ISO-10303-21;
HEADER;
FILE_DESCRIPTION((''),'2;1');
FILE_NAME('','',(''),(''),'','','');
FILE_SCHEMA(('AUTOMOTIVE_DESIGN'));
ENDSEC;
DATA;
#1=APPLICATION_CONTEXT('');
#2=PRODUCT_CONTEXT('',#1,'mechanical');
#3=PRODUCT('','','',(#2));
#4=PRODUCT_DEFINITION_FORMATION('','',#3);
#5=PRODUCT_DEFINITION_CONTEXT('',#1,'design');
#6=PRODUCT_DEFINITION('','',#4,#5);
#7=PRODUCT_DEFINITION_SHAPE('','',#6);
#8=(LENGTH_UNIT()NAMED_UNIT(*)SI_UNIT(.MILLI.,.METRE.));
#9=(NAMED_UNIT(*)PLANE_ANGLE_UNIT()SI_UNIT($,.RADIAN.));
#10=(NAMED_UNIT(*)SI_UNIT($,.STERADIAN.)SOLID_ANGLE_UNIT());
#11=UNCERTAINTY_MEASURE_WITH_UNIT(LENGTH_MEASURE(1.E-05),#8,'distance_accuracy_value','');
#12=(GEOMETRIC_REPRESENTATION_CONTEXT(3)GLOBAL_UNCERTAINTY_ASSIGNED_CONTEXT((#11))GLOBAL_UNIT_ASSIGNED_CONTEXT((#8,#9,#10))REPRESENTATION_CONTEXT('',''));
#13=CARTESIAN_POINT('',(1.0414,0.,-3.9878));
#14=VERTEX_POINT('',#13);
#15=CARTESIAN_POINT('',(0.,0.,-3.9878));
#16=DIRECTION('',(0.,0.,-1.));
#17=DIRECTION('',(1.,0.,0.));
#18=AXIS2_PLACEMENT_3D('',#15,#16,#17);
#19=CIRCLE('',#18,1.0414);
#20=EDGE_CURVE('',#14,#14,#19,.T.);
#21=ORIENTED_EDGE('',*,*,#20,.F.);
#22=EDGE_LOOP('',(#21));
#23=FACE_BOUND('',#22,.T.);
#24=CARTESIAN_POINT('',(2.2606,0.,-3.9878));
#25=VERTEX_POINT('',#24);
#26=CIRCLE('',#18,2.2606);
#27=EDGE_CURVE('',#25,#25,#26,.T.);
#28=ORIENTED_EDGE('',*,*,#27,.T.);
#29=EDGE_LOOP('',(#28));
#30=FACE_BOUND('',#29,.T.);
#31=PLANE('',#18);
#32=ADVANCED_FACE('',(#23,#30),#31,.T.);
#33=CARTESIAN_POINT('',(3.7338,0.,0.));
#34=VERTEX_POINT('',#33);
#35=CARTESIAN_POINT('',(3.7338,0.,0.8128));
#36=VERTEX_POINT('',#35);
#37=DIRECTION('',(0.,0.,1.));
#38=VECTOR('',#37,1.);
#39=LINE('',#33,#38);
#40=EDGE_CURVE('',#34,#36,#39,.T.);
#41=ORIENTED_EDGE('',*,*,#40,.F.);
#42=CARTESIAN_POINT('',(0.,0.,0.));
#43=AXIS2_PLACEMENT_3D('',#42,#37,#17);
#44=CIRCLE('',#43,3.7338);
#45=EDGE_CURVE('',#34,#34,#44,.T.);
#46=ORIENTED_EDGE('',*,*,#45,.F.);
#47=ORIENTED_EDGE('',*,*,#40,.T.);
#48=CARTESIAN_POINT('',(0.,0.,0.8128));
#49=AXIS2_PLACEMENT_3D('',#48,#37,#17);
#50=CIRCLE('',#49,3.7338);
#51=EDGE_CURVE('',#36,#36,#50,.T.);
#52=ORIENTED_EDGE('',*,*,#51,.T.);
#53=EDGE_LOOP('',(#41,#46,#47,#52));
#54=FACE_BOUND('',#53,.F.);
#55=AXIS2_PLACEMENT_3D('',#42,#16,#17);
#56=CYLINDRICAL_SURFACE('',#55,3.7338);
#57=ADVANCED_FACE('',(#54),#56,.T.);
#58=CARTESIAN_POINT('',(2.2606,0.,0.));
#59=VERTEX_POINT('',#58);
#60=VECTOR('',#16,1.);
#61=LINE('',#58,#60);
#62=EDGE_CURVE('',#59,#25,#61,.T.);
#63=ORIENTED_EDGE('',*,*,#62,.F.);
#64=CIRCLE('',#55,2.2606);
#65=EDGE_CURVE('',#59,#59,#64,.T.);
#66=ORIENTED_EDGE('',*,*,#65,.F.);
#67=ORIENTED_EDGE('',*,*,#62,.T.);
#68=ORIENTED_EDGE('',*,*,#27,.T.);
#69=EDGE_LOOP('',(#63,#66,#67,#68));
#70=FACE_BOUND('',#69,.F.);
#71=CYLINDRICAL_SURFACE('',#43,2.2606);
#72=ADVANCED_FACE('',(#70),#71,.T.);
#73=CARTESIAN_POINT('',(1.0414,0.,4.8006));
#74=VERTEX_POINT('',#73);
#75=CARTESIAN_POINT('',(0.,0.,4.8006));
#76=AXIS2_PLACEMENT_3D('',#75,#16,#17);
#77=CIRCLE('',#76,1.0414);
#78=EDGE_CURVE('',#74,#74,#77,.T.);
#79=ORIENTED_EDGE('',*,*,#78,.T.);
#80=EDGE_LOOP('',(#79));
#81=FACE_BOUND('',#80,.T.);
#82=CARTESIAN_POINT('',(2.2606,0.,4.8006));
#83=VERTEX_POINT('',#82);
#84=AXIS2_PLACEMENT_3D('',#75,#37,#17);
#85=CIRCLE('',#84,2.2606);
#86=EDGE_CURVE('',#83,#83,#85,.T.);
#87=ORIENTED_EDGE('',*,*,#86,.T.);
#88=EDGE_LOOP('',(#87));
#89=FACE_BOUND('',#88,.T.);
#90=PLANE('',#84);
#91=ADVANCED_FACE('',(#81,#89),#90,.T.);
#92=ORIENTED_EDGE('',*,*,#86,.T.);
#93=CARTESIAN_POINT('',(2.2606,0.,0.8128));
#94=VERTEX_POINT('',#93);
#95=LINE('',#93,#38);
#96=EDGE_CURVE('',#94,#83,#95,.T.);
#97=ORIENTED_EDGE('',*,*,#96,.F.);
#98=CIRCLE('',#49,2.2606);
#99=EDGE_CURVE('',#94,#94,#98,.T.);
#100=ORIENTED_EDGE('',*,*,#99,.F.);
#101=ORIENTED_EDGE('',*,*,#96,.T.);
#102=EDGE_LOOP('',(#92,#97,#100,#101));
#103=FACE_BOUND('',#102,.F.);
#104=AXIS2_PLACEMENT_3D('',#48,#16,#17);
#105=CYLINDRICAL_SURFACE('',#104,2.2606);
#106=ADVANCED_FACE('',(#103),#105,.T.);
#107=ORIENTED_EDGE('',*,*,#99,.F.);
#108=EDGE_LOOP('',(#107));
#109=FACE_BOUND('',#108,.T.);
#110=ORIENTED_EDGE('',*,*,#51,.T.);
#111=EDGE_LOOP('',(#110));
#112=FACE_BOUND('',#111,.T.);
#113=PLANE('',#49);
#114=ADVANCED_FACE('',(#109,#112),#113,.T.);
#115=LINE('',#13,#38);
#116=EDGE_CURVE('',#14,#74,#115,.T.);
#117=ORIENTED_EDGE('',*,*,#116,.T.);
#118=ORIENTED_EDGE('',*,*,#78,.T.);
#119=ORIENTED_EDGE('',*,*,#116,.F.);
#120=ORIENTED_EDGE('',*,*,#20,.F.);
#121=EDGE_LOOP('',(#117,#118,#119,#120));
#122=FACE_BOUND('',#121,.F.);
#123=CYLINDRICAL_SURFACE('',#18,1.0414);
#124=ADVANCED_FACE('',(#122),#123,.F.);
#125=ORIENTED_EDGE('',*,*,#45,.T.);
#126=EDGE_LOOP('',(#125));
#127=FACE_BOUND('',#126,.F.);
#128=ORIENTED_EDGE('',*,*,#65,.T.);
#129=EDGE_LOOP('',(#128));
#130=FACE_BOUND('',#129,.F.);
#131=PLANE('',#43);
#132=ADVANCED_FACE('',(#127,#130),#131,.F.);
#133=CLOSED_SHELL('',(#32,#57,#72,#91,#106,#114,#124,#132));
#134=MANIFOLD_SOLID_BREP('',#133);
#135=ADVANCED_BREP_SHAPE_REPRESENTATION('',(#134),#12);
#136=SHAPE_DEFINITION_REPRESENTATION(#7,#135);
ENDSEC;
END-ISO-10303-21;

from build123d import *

# Parameters (mm, degrees)
F0_R     = 3.7338
F1_DEPTH = 0.8128
F2_R     = 2.2606
F3_DEPTH = 3.9878
F4_R     = 2.2606
F5_DEPTH = 3.9878
F6_R     = 1.0414
F7_DEPTH = 25.4


with BuildPart() as f1:
    # F0 (on Top) → F1 (new body)
    with BuildSketch(Plane.XY):
        Circle(F0_R)
    extrude(amount=F1_DEPTH)

    # F2 (on face) → F3 (join)
    with BuildSketch(Plane.XY.offset(0.8128)):
        Circle(F2_R)
    extrude(amount=F3_DEPTH)

    # F4 (on face) → F5 (join)
    with BuildSketch(Plane(origin=(0, 0, 0), x_dir=(1, 0, 0), z_dir=(0, 0, -1))):
        Circle(F4_R)
    extrude(amount=F5_DEPTH)

    # F6 (on face) → F7 (cut)
    with BuildSketch(Plane(origin=(0, 0, -3.9878), x_dir=(1, 0, 0), z_dir=(0, 0, -1))):
        Circle(F6_R)
    extrude(amount=-F7_DEPTH, mode=Mode.SUBTRACT)


solid = f1.part
